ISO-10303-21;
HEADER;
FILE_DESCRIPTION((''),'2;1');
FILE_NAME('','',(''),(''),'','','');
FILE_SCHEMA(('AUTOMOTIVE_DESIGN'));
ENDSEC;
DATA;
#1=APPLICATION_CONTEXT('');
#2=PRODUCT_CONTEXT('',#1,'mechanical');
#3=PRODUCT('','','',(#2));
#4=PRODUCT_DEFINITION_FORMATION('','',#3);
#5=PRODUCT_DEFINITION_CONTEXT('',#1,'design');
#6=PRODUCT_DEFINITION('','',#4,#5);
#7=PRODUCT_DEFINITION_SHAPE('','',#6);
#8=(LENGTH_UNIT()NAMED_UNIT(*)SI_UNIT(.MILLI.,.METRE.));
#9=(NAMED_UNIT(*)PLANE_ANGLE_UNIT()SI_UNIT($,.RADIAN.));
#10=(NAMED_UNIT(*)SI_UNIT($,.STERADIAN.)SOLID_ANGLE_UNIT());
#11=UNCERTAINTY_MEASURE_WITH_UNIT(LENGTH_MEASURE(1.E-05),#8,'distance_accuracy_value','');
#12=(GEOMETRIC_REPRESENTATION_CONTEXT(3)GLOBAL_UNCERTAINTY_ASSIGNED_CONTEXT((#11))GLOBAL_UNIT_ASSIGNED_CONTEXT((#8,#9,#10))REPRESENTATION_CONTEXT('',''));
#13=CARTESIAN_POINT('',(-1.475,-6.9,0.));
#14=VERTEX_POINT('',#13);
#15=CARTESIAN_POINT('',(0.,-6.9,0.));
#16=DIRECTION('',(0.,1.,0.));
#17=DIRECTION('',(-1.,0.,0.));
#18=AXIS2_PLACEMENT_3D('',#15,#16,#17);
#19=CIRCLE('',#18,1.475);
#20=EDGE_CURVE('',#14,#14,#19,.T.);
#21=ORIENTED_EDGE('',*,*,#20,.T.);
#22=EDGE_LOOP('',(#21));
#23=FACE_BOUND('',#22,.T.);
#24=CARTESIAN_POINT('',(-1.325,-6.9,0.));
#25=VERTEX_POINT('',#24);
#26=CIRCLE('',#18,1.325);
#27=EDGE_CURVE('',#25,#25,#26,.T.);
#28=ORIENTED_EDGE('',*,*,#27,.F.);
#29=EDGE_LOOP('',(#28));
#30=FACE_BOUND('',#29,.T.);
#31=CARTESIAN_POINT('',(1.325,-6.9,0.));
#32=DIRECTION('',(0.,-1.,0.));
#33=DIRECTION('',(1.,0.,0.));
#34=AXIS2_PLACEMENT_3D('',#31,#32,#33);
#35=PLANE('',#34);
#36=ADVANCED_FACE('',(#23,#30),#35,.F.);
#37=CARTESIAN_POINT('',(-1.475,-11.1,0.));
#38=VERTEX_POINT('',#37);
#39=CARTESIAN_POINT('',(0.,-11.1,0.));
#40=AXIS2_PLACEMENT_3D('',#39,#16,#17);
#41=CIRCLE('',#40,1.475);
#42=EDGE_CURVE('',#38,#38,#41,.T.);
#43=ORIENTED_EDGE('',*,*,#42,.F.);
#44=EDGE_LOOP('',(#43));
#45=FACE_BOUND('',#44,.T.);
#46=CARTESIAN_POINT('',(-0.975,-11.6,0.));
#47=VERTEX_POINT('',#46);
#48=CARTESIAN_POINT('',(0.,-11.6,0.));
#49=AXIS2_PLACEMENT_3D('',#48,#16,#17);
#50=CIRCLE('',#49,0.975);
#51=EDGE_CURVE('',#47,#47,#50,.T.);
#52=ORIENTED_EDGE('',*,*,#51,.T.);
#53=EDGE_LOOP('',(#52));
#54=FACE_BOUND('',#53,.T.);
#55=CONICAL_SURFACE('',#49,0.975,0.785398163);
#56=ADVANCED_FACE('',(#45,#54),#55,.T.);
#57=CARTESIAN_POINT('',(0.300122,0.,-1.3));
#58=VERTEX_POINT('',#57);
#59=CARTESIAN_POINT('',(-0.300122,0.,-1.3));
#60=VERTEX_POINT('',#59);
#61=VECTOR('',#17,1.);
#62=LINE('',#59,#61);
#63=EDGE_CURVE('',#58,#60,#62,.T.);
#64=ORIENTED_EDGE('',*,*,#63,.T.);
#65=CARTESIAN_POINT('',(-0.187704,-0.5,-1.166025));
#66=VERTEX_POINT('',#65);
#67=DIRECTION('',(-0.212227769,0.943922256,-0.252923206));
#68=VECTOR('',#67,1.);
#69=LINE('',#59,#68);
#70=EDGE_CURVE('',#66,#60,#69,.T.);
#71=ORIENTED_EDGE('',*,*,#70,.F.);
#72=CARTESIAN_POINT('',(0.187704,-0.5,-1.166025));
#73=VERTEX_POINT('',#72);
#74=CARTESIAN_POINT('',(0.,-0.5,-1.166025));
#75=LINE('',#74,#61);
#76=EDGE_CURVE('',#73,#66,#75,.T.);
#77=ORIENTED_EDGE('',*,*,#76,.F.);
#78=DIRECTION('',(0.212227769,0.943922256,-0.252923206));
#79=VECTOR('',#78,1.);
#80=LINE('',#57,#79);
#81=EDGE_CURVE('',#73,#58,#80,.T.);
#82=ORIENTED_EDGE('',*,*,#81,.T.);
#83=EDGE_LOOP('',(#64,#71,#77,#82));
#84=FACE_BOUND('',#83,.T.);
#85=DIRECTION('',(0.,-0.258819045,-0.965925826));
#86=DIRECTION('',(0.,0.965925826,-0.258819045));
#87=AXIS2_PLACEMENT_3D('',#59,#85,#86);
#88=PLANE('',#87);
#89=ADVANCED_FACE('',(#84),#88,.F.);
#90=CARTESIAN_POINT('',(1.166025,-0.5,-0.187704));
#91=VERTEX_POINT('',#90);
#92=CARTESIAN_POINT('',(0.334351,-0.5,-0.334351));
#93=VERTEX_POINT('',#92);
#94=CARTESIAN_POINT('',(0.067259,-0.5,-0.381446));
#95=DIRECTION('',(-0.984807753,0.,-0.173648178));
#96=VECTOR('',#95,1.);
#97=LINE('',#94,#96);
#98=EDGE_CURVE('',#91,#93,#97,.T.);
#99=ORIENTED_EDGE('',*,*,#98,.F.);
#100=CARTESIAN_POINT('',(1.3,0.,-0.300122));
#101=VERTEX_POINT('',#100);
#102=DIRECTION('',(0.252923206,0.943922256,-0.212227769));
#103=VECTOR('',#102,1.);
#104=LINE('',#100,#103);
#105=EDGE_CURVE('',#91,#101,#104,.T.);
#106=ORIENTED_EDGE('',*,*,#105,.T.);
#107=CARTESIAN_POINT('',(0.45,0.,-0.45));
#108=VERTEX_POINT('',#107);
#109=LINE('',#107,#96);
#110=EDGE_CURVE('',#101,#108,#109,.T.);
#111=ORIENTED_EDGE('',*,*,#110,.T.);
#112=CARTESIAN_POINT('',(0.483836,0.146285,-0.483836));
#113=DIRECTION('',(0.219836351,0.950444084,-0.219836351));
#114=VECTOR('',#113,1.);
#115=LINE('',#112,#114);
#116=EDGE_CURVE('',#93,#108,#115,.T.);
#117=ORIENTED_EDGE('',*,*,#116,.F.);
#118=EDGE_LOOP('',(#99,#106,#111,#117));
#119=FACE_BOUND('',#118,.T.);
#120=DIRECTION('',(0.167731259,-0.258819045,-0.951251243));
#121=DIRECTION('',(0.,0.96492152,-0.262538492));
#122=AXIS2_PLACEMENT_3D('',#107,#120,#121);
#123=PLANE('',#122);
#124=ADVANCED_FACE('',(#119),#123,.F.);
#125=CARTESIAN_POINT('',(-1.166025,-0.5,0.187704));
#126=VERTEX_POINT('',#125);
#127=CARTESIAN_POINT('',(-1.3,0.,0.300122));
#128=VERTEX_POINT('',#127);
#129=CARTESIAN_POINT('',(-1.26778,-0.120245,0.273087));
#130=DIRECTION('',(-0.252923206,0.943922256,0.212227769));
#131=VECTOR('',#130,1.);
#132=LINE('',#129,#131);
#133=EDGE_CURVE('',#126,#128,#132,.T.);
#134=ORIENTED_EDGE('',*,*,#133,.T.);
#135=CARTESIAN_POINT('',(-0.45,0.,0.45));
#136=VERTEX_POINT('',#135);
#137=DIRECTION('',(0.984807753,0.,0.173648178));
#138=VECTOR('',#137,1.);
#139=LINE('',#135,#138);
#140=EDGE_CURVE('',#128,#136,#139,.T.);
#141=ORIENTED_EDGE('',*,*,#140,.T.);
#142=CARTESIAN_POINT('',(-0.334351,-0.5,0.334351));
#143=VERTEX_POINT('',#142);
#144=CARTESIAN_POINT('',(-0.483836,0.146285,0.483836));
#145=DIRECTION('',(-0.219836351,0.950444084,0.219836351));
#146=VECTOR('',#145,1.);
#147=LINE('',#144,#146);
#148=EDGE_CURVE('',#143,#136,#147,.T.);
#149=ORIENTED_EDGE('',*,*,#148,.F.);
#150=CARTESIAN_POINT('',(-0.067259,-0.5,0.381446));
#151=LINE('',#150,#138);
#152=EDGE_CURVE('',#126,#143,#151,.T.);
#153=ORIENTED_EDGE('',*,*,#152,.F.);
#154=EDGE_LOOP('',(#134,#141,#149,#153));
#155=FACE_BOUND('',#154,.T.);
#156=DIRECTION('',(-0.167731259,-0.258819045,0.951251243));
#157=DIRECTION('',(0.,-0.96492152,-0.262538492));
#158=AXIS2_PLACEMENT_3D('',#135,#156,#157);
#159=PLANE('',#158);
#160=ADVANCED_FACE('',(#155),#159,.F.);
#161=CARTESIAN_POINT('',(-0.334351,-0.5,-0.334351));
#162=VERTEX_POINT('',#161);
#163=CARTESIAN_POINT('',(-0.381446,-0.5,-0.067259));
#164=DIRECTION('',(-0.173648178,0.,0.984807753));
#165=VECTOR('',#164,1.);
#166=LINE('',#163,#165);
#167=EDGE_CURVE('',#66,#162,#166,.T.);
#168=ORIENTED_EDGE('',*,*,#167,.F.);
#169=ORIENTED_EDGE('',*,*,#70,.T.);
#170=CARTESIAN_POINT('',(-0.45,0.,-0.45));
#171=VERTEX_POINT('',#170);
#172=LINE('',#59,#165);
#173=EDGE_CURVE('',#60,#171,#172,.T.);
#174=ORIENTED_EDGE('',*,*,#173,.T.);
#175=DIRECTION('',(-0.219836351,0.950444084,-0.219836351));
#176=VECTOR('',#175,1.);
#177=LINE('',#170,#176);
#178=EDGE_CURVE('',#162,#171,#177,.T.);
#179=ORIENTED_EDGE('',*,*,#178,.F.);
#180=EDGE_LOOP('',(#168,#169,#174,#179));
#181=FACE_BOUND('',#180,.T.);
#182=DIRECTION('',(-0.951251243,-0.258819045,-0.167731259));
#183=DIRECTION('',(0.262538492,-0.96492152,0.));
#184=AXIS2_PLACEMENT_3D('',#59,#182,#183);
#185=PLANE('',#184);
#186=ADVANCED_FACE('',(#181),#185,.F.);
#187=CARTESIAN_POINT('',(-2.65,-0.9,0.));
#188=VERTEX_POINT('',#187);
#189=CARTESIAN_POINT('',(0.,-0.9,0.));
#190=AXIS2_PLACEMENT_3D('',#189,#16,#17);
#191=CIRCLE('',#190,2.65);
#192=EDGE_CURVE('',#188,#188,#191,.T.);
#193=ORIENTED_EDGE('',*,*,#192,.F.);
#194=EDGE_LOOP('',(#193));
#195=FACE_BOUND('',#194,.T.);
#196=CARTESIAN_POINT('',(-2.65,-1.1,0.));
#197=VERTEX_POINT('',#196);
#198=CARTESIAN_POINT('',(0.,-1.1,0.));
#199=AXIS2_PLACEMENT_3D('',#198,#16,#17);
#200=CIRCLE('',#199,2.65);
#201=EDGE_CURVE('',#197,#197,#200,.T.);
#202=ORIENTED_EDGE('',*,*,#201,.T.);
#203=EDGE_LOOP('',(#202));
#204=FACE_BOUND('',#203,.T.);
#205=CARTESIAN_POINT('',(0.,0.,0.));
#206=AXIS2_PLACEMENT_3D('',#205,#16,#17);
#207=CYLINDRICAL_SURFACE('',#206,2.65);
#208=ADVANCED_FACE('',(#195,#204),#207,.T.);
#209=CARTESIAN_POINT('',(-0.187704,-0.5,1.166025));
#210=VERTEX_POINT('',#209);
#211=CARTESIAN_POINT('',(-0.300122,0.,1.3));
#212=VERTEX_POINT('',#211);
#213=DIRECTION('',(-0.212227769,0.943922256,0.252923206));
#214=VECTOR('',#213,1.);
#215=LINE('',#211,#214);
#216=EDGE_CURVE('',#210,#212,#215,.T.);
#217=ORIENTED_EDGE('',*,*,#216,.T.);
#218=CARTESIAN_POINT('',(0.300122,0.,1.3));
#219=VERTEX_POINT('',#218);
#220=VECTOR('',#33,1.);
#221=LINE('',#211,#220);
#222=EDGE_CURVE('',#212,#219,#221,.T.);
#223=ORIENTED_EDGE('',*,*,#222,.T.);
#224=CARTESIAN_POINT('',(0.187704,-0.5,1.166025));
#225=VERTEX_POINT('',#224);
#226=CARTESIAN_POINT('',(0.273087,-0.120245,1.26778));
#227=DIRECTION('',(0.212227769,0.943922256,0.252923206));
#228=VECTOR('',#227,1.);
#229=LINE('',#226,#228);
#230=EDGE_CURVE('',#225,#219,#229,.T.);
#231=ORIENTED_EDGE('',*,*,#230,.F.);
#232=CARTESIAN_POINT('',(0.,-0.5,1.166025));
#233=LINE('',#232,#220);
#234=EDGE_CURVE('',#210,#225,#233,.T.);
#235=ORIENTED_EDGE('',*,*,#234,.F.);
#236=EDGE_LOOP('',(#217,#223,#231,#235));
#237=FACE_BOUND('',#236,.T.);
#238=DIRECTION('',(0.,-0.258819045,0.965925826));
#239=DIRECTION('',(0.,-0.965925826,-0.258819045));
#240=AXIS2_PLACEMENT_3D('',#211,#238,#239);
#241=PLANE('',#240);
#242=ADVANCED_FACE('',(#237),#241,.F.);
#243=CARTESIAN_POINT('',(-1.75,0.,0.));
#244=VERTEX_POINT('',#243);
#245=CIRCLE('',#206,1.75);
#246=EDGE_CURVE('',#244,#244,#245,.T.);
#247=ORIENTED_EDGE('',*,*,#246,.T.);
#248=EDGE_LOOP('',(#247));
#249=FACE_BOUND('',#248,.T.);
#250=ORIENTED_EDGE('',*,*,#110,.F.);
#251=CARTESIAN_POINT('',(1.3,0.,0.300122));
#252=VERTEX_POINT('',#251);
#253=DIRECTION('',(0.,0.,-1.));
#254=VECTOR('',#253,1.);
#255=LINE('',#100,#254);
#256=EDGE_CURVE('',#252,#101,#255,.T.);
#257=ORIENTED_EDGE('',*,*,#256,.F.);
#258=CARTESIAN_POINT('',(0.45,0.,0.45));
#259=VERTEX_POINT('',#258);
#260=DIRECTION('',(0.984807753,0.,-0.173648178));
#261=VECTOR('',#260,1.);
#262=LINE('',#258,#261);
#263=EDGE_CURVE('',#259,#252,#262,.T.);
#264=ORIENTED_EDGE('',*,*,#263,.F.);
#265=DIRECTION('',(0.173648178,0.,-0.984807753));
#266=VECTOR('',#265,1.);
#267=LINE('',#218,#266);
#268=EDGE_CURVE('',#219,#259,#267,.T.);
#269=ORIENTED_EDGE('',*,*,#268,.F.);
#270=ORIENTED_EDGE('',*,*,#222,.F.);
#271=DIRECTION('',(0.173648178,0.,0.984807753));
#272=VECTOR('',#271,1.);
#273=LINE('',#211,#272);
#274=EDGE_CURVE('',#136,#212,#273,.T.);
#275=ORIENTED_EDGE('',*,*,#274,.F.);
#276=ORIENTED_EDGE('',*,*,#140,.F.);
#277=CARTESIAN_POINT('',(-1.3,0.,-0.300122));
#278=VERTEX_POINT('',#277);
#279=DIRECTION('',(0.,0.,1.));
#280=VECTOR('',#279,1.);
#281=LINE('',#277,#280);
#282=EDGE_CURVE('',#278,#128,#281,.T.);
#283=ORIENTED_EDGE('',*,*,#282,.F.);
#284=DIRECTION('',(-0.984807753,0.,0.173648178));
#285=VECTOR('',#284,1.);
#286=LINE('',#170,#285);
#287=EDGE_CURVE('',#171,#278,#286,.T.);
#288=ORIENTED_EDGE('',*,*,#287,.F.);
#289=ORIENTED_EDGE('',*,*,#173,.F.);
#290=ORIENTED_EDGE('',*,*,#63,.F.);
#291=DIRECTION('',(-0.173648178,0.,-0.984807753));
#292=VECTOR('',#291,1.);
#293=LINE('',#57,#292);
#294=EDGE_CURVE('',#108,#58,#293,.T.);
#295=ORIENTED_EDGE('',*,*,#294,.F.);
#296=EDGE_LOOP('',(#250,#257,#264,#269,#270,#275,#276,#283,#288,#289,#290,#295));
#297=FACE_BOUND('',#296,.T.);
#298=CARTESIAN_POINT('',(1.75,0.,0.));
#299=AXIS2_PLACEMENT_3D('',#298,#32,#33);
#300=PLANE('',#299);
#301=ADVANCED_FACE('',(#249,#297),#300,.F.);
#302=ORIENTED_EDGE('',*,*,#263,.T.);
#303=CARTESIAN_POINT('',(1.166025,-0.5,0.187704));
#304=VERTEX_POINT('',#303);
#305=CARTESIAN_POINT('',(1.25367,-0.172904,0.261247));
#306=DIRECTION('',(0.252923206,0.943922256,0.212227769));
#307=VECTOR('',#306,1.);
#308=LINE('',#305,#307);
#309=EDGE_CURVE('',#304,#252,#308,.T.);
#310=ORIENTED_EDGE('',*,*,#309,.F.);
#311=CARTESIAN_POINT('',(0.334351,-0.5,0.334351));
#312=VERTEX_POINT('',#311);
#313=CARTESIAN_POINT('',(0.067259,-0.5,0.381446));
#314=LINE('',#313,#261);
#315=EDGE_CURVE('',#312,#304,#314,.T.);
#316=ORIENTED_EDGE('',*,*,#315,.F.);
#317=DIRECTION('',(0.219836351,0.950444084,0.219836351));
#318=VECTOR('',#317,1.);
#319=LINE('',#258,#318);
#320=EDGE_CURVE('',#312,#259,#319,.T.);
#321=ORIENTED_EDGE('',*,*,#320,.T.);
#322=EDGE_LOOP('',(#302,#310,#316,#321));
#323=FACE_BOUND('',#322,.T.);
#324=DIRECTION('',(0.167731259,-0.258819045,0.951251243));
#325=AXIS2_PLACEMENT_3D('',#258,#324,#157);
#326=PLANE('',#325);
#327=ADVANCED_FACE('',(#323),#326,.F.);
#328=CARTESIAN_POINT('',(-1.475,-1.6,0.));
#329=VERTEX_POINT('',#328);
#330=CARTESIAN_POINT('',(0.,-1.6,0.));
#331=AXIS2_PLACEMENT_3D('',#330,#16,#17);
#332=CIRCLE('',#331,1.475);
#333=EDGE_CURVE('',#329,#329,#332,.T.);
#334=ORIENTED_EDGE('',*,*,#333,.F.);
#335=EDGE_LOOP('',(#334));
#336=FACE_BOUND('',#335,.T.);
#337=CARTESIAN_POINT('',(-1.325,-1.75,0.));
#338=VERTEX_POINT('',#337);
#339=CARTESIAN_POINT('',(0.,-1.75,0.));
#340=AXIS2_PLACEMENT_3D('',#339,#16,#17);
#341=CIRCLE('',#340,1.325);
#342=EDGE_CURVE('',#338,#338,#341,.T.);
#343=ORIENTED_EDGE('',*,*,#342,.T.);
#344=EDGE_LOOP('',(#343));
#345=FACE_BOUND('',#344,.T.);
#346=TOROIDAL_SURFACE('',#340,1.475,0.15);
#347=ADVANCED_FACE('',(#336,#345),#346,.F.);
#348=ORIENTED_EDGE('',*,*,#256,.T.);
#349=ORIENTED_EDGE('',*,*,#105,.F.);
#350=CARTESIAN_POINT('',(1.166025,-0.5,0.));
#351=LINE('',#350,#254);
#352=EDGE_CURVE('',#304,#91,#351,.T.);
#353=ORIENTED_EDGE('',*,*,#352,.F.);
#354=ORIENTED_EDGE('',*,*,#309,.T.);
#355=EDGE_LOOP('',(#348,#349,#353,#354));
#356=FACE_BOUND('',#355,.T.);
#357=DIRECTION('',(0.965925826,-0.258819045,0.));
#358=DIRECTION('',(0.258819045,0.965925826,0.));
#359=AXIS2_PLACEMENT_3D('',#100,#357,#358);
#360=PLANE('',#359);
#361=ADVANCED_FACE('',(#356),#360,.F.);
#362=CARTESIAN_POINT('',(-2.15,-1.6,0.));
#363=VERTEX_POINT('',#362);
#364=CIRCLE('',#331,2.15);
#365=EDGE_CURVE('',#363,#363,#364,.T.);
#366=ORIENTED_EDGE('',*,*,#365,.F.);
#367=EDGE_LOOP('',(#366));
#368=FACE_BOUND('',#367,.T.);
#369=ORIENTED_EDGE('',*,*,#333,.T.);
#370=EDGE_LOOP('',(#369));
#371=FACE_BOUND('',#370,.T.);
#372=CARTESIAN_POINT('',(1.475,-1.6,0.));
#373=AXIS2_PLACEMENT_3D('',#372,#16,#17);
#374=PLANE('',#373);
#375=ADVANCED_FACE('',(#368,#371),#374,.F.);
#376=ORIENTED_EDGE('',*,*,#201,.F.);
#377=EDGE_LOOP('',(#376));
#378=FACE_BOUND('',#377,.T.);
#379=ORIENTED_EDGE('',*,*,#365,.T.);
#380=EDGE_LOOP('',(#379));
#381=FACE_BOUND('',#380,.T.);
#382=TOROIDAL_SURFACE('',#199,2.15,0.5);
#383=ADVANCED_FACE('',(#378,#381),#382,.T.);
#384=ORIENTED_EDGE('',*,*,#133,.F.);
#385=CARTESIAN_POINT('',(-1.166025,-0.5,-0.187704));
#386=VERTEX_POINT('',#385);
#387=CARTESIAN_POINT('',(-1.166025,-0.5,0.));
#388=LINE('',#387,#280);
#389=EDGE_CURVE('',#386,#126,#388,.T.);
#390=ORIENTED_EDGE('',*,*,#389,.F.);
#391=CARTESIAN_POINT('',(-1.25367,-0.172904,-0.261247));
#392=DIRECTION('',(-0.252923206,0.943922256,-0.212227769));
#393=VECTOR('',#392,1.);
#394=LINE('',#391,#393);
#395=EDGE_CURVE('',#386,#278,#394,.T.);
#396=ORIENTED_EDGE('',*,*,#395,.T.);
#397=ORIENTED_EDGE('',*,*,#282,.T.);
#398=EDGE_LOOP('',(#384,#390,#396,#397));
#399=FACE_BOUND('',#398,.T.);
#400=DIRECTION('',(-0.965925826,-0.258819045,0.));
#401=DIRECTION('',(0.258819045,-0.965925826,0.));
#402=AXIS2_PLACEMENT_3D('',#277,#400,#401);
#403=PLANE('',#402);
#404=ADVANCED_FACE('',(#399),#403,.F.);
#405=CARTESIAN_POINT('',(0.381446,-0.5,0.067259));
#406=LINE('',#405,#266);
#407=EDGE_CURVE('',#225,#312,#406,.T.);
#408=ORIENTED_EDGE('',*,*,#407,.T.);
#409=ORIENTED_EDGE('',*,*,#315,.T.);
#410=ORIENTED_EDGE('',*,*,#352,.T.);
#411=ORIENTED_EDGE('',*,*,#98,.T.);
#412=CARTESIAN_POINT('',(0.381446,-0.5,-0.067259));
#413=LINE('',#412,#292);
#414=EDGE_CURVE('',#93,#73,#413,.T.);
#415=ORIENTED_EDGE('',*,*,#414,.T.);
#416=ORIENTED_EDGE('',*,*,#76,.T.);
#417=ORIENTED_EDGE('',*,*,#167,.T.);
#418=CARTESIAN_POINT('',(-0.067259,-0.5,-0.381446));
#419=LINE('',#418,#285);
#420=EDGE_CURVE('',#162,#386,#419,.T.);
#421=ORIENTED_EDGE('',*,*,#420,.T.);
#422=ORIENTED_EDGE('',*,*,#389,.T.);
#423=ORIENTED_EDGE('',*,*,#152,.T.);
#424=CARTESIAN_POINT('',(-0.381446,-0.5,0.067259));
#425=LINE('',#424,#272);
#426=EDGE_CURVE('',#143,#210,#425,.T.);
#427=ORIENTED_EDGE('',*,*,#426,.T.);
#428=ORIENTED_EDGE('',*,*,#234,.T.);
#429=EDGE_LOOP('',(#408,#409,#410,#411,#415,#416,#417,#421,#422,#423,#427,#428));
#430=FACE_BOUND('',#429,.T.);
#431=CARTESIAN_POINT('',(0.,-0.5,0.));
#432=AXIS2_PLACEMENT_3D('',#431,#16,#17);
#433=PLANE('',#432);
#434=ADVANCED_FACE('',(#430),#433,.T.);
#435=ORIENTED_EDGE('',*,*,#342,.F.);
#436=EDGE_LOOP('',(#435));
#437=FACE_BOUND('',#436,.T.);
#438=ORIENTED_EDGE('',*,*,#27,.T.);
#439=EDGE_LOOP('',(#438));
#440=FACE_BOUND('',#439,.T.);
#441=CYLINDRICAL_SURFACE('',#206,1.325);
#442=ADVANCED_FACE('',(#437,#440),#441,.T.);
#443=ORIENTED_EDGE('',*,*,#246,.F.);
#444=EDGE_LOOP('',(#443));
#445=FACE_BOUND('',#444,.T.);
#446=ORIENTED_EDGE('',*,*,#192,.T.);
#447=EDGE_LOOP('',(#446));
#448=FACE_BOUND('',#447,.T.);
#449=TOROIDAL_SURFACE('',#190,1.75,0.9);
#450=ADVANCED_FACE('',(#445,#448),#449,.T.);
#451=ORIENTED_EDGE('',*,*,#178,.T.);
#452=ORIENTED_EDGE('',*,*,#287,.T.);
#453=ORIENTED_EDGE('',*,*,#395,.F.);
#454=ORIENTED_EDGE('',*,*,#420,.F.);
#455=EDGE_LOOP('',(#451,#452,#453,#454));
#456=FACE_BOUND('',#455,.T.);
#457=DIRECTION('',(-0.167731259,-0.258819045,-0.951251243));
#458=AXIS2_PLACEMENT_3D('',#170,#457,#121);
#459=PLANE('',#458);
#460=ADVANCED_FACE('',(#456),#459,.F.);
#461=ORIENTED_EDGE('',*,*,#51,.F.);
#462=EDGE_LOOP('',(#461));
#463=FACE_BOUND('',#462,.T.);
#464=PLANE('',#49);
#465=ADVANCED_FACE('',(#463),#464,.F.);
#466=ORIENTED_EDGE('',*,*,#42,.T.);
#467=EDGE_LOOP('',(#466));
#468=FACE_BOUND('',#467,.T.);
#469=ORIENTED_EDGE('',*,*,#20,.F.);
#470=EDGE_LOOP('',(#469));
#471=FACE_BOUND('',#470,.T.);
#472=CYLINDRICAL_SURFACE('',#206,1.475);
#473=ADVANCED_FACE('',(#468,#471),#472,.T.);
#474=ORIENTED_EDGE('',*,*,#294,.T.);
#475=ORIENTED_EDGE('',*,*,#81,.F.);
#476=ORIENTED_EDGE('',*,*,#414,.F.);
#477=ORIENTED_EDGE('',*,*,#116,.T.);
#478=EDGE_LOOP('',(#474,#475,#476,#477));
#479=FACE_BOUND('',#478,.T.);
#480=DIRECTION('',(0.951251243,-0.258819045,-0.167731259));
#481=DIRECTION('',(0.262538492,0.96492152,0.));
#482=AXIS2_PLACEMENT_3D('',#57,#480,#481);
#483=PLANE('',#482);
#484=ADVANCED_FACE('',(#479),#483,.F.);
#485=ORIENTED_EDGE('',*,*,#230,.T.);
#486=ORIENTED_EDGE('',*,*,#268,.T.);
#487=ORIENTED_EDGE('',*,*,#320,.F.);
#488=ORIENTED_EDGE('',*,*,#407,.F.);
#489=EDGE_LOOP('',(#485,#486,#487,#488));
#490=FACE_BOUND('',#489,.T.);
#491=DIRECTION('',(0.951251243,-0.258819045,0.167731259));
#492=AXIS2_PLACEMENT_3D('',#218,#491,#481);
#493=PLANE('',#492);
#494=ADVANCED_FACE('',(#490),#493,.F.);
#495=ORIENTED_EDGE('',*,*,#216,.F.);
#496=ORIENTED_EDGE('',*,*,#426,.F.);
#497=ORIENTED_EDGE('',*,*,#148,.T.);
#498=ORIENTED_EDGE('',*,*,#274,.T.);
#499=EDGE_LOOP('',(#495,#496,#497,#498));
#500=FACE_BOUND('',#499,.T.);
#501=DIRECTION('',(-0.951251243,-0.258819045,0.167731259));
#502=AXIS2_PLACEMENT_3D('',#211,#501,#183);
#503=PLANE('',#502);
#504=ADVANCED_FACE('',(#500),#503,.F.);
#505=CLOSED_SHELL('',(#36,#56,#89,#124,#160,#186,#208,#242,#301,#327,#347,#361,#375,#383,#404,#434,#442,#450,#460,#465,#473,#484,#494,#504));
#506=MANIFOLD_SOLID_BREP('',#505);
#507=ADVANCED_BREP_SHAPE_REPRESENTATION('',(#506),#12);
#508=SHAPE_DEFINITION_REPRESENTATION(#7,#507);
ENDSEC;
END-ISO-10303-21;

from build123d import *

# Parameters (mm, degrees)
CUT_EXTRUDE1_DEPTH = 0.5
CUT_EXTRUDE1_TAPER = 15


with BuildPart() as part:
    # Sketch1 → Revolve1 (revolve)
    with BuildSketch(Plane.XY):
        with BuildLine():
            Line((0, -11.6), (0.975, -11.6))
            Line((0.975, -11.6), (1.475, -11.1))
            Line((1.475, -11.1), (1.475, -6.9))
            Line((1.475, -6.9), (1.325, -6.9))
            Line((1.325, -6.9), (1.325, -1.75))
            ThreePointArc((1.325, -1.75), (1.368933983, -1.643933983), (1.475, -1.6))
            Line((1.475, -1.6), (2.15, -1.6))
            ThreePointArc((2.15, -1.6), (2.503553391, -1.453553391), (2.65, -1.1))
            Line((2.65, -1.1), (2.65, -0.9))
            ThreePointArc((2.65, -0.9), (2.386396103, -0.263603897), (1.75, 0))
            Line((1.75, 0), (0, 0))
            Line((0, 0), (0, -11.6))
        make_face()
    revolve(axis=Axis((0, 0, 0), (0, -1, 0)))

    # Sketch2 → Cut-Extrude1 (cut)
    with BuildSketch(Plane(origin=(0, 0, 0), x_dir=(1, 0, 0), z_dir=(0, 1, 0))):
        Polygon((-0.300122066, 1.3), (-0.45, 0.45), (-1.3, 0.300122066), (-1.3, -0.300122066), (-0.45, -0.45), (-0.300122066, -1.3), (0.300122066, -1.3), (0.45, -0.45), (1.3, -0.300122066), (1.3, 0.300122066), (0.45, 0.45), (0.300122066, 1.3), align=None)
    extrude(amount=-CUT_EXTRUDE1_DEPTH, taper=CUT_EXTRUDE1_TAPER, mode=Mode.SUBTRACT)


solid = part.part
